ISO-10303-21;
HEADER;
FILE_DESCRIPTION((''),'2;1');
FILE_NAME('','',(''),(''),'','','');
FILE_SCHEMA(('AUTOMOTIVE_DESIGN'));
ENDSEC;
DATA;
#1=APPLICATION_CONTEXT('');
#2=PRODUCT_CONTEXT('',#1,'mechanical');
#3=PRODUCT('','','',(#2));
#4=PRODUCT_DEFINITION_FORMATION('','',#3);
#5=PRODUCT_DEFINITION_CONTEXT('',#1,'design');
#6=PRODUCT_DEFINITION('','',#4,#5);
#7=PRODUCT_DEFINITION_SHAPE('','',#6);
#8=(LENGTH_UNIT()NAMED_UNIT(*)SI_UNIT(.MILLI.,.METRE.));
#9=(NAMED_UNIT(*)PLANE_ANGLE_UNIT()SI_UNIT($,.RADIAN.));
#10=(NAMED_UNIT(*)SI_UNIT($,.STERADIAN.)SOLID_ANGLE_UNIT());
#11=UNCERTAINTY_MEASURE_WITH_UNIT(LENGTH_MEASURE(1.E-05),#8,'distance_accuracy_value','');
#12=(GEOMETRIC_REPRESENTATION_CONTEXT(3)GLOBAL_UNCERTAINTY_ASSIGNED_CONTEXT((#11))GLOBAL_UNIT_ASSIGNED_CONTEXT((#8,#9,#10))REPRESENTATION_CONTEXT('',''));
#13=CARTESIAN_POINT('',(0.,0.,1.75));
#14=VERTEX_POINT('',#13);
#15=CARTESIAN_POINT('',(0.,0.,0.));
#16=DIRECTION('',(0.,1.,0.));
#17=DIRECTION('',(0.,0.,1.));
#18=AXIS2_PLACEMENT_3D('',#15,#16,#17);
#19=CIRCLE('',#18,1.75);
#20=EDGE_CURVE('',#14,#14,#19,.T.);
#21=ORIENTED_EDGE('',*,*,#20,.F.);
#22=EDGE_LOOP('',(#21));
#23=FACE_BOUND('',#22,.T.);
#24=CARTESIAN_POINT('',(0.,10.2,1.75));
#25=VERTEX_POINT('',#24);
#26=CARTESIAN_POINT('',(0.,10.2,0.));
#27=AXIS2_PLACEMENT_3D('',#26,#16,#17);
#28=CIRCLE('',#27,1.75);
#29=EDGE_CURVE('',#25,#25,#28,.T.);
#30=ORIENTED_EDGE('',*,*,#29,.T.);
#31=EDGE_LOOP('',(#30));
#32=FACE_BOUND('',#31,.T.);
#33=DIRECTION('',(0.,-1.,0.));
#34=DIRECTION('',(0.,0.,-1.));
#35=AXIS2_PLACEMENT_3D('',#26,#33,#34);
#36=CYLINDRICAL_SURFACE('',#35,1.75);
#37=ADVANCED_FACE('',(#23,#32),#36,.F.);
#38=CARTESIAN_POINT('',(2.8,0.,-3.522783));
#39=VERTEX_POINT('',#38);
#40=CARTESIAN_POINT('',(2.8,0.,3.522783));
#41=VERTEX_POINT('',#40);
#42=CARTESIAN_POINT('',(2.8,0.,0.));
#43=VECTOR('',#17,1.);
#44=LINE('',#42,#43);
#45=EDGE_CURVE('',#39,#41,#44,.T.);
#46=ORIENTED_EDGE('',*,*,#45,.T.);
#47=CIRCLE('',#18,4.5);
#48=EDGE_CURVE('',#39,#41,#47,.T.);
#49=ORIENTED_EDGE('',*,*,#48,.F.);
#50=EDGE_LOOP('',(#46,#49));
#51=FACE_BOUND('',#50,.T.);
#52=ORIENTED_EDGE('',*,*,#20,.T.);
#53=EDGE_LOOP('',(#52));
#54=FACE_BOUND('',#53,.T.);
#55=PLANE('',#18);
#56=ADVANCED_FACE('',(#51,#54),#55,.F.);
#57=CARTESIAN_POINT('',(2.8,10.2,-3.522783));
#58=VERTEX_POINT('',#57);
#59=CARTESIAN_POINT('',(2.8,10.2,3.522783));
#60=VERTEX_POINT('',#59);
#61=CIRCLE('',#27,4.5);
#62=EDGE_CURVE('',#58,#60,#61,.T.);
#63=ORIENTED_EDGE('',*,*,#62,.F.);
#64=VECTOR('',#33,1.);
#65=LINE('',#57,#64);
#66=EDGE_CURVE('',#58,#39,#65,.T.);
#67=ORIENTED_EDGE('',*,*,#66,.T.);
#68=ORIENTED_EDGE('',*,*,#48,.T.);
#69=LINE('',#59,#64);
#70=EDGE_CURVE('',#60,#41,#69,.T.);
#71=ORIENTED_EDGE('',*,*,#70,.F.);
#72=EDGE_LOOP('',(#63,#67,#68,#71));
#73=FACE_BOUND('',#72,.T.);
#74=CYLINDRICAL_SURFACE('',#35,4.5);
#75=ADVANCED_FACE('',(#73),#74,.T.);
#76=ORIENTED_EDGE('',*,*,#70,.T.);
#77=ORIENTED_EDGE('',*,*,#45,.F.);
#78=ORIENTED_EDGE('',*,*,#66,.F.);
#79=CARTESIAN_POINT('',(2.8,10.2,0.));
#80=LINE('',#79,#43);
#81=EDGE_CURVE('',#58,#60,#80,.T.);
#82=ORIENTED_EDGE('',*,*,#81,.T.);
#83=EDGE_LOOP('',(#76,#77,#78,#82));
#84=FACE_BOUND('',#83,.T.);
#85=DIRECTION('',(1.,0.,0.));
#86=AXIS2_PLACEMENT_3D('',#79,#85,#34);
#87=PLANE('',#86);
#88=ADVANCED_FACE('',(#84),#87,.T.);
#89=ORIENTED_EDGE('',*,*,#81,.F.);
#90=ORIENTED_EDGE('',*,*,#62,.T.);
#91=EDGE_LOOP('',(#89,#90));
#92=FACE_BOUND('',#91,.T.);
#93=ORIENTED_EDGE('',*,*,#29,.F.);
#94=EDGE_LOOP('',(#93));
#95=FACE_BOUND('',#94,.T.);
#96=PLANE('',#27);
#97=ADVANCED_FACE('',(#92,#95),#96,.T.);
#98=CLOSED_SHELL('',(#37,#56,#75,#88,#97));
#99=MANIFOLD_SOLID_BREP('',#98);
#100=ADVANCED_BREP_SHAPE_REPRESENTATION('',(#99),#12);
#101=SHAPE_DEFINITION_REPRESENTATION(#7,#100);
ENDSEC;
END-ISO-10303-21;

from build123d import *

# Parameters (mm, degrees)
SKETCH_2_R      = 1.75
EXTRUDE_1_DEPTH = 10.2


with BuildPart() as part:
    # 草图2 → 凸台-拉伸1 (new body)
    with BuildSketch(Plane(origin=(0, 0, 0), x_dir=(1, 0, 0), z_dir=(0, 1, 0))):
        with BuildLine():
            Line((2.8, -3.522782991), (2.8, 3.522782991))
            ThreePointArc((2.8, 3.522782991), (-4.5, 0), (2.8, -3.522782991))
        make_face()
        with Locations(Location((0, 0, 0), (0, 0, 270))):
            Circle(SKETCH_2_R, mode=Mode.SUBTRACT)
    extrude(amount=EXTRUDE_1_DEPTH)


solid = part.part
